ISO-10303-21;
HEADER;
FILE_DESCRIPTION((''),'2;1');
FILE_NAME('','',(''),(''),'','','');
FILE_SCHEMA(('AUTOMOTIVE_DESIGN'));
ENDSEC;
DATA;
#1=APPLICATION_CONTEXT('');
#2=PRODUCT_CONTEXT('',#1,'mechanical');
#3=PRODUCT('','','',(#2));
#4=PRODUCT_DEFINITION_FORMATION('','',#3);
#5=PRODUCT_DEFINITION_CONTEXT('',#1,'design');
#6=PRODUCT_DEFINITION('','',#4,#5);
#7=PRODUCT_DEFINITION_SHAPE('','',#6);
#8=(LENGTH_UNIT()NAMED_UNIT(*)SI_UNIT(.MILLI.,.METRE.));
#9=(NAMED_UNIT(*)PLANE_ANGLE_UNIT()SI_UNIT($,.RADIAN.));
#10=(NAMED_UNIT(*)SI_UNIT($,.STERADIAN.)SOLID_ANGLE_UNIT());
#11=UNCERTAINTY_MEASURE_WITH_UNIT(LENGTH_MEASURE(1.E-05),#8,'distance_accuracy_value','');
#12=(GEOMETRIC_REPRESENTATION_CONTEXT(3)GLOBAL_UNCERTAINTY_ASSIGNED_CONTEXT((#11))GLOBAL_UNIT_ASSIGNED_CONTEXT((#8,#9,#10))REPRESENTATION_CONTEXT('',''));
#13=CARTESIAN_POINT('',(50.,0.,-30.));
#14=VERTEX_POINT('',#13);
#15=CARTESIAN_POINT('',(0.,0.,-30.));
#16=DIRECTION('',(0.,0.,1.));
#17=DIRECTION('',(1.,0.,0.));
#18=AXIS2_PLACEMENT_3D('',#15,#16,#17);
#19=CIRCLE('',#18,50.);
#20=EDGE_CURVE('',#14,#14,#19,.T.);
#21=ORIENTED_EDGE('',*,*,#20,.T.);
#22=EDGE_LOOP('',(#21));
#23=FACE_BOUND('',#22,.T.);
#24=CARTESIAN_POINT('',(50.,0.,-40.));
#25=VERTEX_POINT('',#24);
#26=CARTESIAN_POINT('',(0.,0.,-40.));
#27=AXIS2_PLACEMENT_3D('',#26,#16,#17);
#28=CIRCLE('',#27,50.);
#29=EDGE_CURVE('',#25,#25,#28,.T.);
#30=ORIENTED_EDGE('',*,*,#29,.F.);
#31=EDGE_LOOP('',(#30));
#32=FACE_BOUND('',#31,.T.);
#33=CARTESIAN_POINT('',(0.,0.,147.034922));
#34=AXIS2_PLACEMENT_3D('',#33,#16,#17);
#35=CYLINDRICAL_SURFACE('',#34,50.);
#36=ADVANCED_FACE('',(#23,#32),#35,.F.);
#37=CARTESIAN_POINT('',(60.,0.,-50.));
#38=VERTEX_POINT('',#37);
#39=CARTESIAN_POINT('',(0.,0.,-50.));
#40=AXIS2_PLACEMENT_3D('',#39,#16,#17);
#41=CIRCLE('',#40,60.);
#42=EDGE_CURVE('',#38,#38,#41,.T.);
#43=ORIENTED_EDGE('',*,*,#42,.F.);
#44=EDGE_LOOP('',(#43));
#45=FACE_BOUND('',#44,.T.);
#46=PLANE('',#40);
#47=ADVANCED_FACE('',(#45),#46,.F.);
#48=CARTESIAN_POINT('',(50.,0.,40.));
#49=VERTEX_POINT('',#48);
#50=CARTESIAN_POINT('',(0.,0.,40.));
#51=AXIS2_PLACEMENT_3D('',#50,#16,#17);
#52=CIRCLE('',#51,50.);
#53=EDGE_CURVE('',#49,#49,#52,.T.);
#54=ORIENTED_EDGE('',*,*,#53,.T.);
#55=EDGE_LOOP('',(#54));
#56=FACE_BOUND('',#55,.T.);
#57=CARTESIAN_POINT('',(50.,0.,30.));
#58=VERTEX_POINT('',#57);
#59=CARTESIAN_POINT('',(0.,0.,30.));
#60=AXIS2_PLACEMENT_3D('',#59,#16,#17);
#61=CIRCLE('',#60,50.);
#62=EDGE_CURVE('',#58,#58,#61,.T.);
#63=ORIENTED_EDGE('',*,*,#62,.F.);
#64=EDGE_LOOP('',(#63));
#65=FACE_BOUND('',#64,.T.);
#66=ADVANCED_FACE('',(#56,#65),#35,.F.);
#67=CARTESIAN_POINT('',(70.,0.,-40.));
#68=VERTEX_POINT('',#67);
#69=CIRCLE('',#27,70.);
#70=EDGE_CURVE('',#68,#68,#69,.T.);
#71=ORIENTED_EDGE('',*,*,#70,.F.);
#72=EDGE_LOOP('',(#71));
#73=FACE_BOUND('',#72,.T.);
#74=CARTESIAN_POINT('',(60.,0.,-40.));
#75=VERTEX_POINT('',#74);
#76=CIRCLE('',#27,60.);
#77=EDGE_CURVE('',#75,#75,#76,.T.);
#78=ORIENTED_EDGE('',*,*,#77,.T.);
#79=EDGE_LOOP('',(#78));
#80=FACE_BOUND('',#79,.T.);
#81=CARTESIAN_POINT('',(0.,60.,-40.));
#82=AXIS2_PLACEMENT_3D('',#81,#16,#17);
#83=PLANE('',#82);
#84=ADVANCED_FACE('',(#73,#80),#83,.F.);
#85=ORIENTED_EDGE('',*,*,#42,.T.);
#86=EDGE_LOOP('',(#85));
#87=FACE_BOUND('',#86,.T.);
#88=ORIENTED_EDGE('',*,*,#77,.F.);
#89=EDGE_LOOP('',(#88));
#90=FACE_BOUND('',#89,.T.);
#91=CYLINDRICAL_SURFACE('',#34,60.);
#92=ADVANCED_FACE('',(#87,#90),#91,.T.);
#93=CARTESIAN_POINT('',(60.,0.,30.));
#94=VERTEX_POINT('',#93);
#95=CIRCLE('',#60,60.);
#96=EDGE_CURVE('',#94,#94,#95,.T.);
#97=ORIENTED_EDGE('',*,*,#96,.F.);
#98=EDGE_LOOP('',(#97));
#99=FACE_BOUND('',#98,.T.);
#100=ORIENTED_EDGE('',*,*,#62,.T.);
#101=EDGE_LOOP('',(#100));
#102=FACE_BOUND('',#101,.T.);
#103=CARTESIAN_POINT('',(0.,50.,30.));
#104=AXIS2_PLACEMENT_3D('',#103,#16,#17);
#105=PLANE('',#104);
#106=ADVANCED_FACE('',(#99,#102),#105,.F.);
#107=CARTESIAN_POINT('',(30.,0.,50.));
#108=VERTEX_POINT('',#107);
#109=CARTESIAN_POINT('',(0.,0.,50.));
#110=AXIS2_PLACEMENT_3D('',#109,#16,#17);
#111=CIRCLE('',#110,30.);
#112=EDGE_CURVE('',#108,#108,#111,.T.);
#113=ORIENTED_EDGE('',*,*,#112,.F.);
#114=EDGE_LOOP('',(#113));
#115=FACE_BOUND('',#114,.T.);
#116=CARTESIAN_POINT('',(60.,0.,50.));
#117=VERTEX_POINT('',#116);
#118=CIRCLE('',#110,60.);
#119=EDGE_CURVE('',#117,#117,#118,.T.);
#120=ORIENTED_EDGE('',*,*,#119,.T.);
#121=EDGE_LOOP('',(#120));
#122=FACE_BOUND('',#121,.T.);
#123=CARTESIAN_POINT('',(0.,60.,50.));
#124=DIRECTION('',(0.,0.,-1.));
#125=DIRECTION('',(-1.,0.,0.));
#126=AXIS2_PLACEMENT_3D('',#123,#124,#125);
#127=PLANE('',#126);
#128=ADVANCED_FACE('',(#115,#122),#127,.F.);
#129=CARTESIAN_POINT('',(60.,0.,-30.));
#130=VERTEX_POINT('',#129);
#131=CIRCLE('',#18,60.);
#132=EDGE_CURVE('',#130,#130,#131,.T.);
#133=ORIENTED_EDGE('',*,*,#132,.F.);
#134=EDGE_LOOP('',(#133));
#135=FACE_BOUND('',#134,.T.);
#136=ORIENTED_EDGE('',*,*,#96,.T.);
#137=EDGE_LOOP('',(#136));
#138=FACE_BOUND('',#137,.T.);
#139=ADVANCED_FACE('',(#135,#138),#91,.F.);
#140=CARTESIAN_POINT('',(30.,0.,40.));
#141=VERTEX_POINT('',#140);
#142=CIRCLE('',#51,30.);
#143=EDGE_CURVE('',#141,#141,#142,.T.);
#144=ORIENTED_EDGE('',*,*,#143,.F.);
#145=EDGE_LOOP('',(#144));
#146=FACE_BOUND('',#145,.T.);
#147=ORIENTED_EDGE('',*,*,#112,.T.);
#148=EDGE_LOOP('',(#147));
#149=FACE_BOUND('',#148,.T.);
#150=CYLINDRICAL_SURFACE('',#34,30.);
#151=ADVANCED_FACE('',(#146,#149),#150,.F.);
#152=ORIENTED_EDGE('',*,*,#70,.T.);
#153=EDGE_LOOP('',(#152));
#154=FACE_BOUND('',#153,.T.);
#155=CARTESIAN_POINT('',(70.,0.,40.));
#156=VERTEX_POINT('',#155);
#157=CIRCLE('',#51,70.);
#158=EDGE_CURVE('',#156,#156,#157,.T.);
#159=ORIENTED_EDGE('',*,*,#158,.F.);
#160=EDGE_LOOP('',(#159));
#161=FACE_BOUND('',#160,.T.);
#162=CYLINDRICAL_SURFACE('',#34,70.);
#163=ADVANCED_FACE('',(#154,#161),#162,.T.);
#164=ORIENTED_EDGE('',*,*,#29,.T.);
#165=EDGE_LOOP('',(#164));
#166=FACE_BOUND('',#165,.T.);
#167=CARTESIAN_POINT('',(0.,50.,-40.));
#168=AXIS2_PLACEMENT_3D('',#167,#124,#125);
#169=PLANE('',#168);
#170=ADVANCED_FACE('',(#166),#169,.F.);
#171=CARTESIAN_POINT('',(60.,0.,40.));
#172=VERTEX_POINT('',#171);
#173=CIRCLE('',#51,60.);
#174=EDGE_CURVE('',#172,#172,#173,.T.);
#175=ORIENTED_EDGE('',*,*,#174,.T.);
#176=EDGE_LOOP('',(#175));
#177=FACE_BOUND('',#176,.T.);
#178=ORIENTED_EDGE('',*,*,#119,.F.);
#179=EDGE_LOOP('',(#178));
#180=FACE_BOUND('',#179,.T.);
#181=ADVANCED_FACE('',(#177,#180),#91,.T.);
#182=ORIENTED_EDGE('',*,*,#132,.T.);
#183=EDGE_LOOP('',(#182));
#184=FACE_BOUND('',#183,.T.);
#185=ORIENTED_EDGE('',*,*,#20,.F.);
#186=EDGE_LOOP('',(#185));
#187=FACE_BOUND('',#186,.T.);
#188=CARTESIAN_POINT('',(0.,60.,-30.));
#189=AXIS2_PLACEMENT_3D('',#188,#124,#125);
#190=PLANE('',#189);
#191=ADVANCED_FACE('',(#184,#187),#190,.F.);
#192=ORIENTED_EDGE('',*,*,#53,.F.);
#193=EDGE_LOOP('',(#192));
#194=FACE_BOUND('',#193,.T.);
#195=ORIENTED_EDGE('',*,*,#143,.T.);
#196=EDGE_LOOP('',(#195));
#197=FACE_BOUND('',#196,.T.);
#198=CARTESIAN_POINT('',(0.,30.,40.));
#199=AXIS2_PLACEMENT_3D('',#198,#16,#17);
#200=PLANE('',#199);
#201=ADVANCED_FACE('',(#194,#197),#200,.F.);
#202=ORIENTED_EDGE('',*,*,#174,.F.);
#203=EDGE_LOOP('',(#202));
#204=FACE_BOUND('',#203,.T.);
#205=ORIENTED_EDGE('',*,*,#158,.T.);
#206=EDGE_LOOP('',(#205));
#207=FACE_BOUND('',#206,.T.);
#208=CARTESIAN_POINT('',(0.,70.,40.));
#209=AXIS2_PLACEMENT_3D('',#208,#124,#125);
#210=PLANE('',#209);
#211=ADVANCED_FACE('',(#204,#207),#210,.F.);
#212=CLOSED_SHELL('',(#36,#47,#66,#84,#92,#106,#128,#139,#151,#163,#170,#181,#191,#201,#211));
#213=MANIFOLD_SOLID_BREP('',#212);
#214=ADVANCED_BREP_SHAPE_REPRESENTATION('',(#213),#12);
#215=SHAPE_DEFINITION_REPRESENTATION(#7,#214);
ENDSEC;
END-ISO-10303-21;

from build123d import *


with BuildPart() as part:
    # Croquis3 → Revolución1 (revolve)
    with BuildSketch(Plane(origin=(0, 0, 0), x_dir=(0, 0, -1), z_dir=(1, 0, 0)), mode=Mode.PRIVATE) as revoluci_n1_sk:
        Polygon((40, 0), (50, 0), (50, 60), (40, 60), (40, 70), (-40, 70), (-40, 60), (-50, 60), (-50, 30), (-40, 30), (-40, 50), (-30, 50), (-30, 60), (30, 60), (30, 50), (40, 50), align=None)
    revolve(revoluci_n1_sk.sketch.rotate(Axis((0, 0, 147.034921683), (0, 0, -1)), 90), axis=Axis((0, 0, 147.034921683), (0, 0, -1)))


solid = part.part
